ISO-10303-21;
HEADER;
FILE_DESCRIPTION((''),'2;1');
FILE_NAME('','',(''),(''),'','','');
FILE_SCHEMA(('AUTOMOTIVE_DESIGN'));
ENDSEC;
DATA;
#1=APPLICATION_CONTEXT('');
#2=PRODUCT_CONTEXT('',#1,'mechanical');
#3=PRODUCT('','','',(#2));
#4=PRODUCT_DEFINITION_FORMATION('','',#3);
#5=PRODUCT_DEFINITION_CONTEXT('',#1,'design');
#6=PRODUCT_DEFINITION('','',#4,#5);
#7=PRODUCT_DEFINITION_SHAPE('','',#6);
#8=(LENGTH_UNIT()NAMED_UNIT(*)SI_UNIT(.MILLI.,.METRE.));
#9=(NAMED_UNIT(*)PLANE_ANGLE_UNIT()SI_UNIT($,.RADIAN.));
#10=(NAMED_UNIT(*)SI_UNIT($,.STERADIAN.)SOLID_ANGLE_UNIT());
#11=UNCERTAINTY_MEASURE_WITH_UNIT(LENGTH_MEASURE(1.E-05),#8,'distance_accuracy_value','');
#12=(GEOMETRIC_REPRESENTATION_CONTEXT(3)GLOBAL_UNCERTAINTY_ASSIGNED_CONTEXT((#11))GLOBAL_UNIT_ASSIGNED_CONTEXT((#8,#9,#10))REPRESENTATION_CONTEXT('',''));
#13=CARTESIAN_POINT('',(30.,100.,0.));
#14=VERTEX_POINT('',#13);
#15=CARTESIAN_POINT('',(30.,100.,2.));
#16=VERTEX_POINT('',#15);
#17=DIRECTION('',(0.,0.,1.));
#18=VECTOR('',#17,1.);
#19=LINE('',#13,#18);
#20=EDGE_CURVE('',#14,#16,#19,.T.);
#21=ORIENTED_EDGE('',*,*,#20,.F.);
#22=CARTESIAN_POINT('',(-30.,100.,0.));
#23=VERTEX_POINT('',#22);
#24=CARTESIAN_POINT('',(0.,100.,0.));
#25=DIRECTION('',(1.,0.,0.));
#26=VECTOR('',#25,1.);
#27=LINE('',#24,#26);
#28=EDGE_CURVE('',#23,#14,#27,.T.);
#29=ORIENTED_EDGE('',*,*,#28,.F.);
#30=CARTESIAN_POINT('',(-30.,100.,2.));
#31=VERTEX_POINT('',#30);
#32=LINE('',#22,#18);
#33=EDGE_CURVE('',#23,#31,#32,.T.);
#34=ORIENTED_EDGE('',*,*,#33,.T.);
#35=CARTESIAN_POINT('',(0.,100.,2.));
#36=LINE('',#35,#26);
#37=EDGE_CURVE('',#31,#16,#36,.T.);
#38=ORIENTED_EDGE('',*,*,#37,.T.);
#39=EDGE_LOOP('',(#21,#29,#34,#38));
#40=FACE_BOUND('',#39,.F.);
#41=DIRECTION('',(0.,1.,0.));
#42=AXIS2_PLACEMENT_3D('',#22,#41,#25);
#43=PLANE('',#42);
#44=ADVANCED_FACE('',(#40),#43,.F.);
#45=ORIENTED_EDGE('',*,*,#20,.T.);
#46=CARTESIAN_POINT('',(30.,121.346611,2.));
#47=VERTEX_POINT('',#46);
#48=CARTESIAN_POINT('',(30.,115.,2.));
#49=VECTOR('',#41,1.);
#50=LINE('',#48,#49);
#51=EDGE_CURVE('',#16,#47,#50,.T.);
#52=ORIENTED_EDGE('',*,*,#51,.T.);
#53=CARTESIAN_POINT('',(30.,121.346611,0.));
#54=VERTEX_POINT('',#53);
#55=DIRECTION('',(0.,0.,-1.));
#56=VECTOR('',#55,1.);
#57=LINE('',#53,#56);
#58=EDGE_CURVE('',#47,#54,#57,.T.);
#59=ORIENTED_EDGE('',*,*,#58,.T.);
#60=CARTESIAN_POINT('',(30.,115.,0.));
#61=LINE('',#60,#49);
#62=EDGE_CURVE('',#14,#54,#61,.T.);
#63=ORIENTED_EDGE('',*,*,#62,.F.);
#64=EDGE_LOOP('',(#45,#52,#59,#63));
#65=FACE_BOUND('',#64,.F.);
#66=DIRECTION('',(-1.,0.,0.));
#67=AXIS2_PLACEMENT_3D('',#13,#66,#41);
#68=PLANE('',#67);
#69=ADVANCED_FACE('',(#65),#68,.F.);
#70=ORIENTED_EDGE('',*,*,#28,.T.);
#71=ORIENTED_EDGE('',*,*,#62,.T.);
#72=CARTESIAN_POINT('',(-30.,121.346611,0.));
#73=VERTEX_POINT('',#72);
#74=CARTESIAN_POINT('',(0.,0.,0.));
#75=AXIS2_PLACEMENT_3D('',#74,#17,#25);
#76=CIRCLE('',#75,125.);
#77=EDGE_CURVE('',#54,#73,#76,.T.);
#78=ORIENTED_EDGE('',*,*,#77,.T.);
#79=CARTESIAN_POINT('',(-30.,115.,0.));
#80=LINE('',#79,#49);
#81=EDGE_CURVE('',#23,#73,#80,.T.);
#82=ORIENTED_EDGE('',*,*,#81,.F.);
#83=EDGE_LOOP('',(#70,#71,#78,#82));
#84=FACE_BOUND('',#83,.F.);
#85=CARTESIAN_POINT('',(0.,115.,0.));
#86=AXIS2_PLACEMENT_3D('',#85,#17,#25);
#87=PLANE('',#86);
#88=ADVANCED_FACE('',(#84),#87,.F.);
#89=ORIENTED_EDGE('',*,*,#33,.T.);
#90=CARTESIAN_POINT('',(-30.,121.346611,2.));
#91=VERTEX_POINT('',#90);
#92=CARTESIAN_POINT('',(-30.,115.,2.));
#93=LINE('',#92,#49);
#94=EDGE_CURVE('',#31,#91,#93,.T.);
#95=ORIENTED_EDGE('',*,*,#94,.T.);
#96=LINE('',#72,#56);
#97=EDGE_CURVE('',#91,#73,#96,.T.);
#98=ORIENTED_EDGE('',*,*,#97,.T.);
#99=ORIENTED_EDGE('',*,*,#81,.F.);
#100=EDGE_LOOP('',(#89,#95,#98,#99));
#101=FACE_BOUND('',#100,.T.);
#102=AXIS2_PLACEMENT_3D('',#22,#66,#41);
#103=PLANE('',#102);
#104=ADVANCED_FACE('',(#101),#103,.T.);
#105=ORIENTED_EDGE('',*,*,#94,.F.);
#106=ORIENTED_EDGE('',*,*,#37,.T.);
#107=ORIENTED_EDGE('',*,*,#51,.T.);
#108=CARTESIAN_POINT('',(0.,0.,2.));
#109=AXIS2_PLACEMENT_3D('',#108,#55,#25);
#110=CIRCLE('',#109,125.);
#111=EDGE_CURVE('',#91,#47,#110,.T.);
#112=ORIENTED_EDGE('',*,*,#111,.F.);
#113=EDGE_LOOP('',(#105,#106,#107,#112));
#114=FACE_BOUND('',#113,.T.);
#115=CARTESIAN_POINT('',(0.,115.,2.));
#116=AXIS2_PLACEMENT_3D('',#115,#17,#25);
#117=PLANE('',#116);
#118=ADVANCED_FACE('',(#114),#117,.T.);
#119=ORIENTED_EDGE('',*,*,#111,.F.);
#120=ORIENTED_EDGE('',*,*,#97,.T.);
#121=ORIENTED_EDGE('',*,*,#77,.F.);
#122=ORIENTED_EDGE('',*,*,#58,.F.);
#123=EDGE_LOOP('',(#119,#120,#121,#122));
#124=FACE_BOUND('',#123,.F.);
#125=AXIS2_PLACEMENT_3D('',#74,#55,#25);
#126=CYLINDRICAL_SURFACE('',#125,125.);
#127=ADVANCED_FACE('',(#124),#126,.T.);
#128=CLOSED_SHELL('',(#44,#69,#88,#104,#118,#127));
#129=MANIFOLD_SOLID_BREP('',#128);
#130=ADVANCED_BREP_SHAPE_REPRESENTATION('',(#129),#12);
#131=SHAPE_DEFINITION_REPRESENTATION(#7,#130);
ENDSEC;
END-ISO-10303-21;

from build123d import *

# Parameters (mm, degrees)
CYLINDER001_R     = 125
CYLINDER001_DEPTH = 10
BOX001_W          = 60
BOX001_H          = 30
BOX001_DEPTH      = 2


with BuildPart() as cylinder001:
    # Cylinder001 → Cylinder001 (new body)
    with BuildSketch(Plane.XY):
        Circle(CYLINDER001_R)
    extrude(amount=CYLINDER001_DEPTH)


with BuildPart() as common:
    # Box001 → Box001 (new body)
    with BuildSketch(Plane(origin=(-30, 100, 0), x_dir=(1, 0, 0), z_dir=(0, 0, 1))):
        with Locations((30, 15)):
            Rectangle(BOX001_W, BOX001_H)
    extrude(amount=BOX001_DEPTH)

    # Common: intersect Cylinder001
    add(cylinder001.part, mode=Mode.INTERSECT)


solid = common.part
